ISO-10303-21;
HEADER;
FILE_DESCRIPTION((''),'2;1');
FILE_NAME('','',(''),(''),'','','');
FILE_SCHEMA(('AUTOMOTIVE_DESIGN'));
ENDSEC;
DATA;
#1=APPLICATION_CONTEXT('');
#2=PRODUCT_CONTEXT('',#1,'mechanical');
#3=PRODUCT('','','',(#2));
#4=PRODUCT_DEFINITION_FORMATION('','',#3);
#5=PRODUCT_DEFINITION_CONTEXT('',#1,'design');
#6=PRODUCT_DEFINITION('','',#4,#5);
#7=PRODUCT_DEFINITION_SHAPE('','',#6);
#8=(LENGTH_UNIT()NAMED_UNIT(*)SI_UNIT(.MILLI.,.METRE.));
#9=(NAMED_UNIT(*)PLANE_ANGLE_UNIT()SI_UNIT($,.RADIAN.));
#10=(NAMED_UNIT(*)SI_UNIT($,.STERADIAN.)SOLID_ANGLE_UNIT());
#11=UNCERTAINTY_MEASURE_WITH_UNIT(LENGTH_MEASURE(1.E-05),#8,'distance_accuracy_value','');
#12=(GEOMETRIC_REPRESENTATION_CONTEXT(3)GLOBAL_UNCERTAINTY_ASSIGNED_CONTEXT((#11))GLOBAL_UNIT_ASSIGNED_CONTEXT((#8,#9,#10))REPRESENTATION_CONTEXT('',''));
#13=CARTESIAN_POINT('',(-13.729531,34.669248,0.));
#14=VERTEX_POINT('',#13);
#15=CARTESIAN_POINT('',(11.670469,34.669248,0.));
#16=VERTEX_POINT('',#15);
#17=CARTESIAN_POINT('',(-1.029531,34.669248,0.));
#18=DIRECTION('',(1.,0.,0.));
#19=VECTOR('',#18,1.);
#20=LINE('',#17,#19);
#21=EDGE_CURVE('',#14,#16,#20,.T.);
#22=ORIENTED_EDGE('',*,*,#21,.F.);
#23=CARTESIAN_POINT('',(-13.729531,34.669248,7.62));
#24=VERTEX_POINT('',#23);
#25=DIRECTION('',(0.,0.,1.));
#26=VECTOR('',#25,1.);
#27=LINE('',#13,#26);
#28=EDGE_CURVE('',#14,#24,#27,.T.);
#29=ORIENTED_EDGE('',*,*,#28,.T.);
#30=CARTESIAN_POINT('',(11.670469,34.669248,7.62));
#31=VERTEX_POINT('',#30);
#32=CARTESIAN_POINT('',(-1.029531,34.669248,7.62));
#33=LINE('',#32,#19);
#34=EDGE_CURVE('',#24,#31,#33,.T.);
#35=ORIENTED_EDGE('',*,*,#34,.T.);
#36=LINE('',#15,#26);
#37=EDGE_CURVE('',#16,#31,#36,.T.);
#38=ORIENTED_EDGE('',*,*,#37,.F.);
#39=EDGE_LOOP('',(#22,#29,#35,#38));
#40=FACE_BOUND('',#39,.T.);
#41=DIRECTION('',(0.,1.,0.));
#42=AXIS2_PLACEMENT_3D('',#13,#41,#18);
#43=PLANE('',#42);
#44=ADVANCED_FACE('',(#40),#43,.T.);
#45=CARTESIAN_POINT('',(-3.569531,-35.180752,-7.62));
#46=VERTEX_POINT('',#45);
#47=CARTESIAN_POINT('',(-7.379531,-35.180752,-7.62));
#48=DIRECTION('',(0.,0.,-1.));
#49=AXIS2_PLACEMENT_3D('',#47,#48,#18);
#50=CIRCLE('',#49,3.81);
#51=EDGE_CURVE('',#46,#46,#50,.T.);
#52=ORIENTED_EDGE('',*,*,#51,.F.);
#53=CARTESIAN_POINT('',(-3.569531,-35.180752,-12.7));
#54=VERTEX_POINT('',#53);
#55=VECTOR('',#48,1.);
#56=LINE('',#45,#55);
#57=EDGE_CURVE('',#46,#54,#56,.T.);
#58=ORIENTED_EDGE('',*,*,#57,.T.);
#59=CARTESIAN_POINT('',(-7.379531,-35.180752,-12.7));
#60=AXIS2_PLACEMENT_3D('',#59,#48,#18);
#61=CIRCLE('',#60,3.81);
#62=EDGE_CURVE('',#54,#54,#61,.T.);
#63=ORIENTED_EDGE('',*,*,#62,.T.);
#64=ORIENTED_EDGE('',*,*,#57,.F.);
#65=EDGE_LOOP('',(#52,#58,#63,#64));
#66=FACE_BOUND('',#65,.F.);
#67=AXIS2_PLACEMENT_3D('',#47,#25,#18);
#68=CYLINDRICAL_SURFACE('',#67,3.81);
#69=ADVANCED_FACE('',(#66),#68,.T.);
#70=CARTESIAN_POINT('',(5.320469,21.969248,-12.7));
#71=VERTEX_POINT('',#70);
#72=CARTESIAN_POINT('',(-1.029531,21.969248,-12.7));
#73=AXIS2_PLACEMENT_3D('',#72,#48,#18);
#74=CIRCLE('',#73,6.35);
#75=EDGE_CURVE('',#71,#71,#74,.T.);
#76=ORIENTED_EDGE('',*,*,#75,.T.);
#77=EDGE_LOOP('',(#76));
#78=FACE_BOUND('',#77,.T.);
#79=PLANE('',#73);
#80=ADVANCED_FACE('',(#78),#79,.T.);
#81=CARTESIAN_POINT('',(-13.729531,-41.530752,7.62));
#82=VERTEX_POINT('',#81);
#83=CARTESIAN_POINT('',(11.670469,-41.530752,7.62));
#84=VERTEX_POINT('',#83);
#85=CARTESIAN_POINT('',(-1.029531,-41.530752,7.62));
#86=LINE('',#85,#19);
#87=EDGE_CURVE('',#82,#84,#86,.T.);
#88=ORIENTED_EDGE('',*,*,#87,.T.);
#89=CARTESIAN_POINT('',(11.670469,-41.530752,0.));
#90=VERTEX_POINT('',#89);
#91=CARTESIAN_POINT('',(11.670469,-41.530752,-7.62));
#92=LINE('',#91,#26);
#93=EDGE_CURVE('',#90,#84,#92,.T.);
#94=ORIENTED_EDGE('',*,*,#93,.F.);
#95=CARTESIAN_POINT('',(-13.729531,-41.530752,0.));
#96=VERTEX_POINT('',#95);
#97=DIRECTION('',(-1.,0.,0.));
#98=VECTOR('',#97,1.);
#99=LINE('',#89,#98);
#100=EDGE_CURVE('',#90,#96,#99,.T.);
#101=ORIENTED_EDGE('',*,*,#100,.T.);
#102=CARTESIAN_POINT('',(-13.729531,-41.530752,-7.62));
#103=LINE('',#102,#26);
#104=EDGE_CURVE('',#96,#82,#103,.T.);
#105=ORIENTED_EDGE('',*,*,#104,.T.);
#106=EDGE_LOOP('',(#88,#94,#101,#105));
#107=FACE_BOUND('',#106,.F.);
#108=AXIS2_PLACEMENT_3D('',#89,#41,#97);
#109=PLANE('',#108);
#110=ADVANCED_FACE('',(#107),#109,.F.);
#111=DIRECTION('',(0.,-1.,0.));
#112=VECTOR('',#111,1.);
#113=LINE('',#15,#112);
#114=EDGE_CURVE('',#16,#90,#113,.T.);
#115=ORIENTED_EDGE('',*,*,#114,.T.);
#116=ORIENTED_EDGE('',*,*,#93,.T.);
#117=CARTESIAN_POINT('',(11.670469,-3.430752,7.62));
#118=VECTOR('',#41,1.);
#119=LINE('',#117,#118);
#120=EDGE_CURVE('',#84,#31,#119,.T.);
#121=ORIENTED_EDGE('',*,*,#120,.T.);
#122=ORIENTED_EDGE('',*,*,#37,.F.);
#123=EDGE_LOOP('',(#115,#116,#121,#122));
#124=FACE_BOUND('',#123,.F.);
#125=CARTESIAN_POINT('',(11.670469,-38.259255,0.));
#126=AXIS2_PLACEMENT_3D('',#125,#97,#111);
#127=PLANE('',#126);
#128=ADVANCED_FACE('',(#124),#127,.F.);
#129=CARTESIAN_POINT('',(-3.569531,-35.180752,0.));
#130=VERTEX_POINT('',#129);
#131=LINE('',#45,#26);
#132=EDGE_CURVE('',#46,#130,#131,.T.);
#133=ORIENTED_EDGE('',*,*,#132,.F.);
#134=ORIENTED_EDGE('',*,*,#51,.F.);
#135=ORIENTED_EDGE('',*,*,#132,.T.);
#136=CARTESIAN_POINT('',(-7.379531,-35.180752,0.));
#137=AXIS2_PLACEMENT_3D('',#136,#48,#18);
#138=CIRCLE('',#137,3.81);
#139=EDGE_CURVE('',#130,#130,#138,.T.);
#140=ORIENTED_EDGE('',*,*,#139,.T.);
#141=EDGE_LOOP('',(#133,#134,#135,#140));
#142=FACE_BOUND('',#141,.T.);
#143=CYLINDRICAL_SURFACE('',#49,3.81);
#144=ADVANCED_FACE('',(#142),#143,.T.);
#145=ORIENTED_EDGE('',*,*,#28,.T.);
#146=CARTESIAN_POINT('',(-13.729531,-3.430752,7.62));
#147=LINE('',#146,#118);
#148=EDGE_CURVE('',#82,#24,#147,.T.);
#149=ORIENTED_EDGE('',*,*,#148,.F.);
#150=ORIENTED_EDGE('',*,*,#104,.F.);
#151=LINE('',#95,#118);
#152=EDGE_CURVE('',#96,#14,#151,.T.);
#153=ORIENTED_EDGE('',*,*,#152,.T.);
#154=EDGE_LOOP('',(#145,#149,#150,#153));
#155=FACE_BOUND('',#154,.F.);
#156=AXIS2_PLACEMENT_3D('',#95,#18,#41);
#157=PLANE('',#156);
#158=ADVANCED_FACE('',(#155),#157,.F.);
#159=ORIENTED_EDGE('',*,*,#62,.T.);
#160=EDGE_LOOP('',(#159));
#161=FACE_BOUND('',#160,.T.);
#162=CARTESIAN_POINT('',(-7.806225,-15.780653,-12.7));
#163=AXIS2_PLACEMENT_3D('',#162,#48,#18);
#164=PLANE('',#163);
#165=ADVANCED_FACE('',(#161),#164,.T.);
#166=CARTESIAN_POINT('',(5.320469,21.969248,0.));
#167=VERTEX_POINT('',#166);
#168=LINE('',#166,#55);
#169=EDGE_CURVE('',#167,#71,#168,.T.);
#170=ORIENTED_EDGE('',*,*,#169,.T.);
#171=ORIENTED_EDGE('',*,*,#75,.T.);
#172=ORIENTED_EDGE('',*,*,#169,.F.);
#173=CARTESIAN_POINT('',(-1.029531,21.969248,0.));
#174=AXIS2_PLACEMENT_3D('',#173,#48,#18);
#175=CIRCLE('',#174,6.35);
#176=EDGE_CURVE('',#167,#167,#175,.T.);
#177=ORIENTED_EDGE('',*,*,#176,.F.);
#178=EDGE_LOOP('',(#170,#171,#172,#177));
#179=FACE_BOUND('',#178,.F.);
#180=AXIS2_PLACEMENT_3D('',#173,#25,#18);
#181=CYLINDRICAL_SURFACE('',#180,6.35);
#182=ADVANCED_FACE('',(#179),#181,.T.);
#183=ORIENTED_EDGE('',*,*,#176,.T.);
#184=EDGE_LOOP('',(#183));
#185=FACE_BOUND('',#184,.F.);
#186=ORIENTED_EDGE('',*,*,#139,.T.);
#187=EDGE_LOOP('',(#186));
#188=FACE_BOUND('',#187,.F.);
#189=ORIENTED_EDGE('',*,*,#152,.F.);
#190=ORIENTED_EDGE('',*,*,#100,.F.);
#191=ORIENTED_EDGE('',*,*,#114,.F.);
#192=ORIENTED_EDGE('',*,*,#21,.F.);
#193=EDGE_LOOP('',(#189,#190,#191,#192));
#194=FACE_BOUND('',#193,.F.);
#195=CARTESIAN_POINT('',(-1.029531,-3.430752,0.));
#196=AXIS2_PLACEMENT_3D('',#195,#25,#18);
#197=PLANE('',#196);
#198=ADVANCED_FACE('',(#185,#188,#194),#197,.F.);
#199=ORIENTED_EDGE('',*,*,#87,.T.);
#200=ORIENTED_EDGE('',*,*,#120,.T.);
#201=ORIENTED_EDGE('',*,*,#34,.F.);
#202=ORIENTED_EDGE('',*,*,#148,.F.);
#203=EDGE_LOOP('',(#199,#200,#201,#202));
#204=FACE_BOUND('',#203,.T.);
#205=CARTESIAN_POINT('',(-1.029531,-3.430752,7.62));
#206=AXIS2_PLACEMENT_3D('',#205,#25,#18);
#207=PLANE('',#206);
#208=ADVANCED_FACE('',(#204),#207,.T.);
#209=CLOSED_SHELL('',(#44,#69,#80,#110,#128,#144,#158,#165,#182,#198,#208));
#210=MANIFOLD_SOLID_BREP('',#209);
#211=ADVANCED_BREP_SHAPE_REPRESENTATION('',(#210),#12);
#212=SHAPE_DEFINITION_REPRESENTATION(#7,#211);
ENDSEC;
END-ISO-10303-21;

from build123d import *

# Parameters (mm, degrees)
F0_W     = 25.4
F0_H     = 76.2
F1_DEPTH = 7.62
F2_R     = 6.35
F3_DEPTH = 12.7
F5_DEPTH = 7.62
F6_R     = 3.81
F7_DEPTH = 7.62
F8_DEPTH = 5.08


with BuildPart() as f1:
    # F0 (on Top) → F1 (new body)
    with BuildSketch(Plane.XY):
        with Locations((-1.029531109, -3.4307520837)):
            Rectangle(F0_W, F0_H)
    extrude(amount=F1_DEPTH)

    # F2 (on face) → F3 (join)
    with BuildSketch(Plane(origin=(0, 0, 0), x_dir=(1, 0, 0), z_dir=(0, 0, -1))):
        with Locations((-1.029531109, -21.9692479163)):
            Circle(F2_R)
    extrude(amount=F3_DEPTH)

    # F4 (on face) → F5 (join)
    with BuildSketch(Plane(origin=(0, 0, 0), x_dir=(1, 0, 0), z_dir=(0, 0, -1))):
        with BuildLine():
            ThreePointArc((-13.729531109, -21.9692479163), (-13.6507066419, -20.5564746978), (-13.4152117126, -19.1612386598))
            add(Edge.make_bspline(
                [(-13.4152117126, -19.1612386598), (-12.8610433574, -14.3104636642), (-11.5717530157, -4.180075995), (-8.9574552779, 13.7376117238), (-1.3781278255, 26.6796034372), (5.8301842944, 35.8071219352), (11.670468891, 38.2592551099)],
                knots=[0.0402552104, 0.0402552104, 0.0402552104, 0.0402552104, 0.2518393979, 0.5131919232, 0.7477210565, 1, 1, 1, 1], degree=3))
            Line((11.670468891, 38.2592551099), (11.670468891, 41.5307520837))
            Line((11.670468891, 41.5307520837), (-13.729531109, 41.5307520837))
            Line((-13.729531109, 41.5307520837), (-13.729531109, -21.9692479163))
        make_face()
    extrude(amount=F5_DEPTH)

    # F6 (on face) → F7 (cut)
    with BuildSketch(Plane(origin=(0, 0, -7.62), x_dir=(1, 0, 0), z_dir=(0, 0, -1))):
        with BuildLine():
            Line((-13.729531109, 41.5307520837), (-13.729531109, -21.9692479163))
            ThreePointArc((-13.729531109, -21.9692479163), (-13.6507066419, -20.5564746978), (-13.4152117126, -19.1612386598))
            add(Edge.make_bspline(
                [(-13.4152117126, -19.1612386598), (-12.8610433574, -14.3104636642), (-11.5717530157, -4.180075995), (-8.9574552779, 13.7376117238), (-1.3781278255, 26.6796034372), (5.8301842944, 35.8071219352), (11.670468891, 38.2592551099)],
                knots=[0.0402552104, 0.0402552104, 0.0402552104, 0.0402552104, 0.2518393979, 0.5131919232, 0.7477210565, 1, 1, 1, 1], degree=3))
            Line((11.670468891, 38.2592551099), (11.670468891, 41.5307520837))
            Line((11.670468891, 41.5307520837), (-13.729531109, 41.5307520837))
        make_face()
        with Locations((-7.379531109, 35.1807520837)):
            Circle(F6_R, mode=Mode.SUBTRACT)
    extrude(amount=-F7_DEPTH, mode=Mode.SUBTRACT)

    # F8 (add): a face of the model
    f8_faces = [f1.faces().sort_by_distance(p)[0] for p in [
        (-7.379531109, -35.1807520837, -7.62),
    ]]
    extrude(f8_faces, amount=F8_DEPTH)


solid = f1.part
